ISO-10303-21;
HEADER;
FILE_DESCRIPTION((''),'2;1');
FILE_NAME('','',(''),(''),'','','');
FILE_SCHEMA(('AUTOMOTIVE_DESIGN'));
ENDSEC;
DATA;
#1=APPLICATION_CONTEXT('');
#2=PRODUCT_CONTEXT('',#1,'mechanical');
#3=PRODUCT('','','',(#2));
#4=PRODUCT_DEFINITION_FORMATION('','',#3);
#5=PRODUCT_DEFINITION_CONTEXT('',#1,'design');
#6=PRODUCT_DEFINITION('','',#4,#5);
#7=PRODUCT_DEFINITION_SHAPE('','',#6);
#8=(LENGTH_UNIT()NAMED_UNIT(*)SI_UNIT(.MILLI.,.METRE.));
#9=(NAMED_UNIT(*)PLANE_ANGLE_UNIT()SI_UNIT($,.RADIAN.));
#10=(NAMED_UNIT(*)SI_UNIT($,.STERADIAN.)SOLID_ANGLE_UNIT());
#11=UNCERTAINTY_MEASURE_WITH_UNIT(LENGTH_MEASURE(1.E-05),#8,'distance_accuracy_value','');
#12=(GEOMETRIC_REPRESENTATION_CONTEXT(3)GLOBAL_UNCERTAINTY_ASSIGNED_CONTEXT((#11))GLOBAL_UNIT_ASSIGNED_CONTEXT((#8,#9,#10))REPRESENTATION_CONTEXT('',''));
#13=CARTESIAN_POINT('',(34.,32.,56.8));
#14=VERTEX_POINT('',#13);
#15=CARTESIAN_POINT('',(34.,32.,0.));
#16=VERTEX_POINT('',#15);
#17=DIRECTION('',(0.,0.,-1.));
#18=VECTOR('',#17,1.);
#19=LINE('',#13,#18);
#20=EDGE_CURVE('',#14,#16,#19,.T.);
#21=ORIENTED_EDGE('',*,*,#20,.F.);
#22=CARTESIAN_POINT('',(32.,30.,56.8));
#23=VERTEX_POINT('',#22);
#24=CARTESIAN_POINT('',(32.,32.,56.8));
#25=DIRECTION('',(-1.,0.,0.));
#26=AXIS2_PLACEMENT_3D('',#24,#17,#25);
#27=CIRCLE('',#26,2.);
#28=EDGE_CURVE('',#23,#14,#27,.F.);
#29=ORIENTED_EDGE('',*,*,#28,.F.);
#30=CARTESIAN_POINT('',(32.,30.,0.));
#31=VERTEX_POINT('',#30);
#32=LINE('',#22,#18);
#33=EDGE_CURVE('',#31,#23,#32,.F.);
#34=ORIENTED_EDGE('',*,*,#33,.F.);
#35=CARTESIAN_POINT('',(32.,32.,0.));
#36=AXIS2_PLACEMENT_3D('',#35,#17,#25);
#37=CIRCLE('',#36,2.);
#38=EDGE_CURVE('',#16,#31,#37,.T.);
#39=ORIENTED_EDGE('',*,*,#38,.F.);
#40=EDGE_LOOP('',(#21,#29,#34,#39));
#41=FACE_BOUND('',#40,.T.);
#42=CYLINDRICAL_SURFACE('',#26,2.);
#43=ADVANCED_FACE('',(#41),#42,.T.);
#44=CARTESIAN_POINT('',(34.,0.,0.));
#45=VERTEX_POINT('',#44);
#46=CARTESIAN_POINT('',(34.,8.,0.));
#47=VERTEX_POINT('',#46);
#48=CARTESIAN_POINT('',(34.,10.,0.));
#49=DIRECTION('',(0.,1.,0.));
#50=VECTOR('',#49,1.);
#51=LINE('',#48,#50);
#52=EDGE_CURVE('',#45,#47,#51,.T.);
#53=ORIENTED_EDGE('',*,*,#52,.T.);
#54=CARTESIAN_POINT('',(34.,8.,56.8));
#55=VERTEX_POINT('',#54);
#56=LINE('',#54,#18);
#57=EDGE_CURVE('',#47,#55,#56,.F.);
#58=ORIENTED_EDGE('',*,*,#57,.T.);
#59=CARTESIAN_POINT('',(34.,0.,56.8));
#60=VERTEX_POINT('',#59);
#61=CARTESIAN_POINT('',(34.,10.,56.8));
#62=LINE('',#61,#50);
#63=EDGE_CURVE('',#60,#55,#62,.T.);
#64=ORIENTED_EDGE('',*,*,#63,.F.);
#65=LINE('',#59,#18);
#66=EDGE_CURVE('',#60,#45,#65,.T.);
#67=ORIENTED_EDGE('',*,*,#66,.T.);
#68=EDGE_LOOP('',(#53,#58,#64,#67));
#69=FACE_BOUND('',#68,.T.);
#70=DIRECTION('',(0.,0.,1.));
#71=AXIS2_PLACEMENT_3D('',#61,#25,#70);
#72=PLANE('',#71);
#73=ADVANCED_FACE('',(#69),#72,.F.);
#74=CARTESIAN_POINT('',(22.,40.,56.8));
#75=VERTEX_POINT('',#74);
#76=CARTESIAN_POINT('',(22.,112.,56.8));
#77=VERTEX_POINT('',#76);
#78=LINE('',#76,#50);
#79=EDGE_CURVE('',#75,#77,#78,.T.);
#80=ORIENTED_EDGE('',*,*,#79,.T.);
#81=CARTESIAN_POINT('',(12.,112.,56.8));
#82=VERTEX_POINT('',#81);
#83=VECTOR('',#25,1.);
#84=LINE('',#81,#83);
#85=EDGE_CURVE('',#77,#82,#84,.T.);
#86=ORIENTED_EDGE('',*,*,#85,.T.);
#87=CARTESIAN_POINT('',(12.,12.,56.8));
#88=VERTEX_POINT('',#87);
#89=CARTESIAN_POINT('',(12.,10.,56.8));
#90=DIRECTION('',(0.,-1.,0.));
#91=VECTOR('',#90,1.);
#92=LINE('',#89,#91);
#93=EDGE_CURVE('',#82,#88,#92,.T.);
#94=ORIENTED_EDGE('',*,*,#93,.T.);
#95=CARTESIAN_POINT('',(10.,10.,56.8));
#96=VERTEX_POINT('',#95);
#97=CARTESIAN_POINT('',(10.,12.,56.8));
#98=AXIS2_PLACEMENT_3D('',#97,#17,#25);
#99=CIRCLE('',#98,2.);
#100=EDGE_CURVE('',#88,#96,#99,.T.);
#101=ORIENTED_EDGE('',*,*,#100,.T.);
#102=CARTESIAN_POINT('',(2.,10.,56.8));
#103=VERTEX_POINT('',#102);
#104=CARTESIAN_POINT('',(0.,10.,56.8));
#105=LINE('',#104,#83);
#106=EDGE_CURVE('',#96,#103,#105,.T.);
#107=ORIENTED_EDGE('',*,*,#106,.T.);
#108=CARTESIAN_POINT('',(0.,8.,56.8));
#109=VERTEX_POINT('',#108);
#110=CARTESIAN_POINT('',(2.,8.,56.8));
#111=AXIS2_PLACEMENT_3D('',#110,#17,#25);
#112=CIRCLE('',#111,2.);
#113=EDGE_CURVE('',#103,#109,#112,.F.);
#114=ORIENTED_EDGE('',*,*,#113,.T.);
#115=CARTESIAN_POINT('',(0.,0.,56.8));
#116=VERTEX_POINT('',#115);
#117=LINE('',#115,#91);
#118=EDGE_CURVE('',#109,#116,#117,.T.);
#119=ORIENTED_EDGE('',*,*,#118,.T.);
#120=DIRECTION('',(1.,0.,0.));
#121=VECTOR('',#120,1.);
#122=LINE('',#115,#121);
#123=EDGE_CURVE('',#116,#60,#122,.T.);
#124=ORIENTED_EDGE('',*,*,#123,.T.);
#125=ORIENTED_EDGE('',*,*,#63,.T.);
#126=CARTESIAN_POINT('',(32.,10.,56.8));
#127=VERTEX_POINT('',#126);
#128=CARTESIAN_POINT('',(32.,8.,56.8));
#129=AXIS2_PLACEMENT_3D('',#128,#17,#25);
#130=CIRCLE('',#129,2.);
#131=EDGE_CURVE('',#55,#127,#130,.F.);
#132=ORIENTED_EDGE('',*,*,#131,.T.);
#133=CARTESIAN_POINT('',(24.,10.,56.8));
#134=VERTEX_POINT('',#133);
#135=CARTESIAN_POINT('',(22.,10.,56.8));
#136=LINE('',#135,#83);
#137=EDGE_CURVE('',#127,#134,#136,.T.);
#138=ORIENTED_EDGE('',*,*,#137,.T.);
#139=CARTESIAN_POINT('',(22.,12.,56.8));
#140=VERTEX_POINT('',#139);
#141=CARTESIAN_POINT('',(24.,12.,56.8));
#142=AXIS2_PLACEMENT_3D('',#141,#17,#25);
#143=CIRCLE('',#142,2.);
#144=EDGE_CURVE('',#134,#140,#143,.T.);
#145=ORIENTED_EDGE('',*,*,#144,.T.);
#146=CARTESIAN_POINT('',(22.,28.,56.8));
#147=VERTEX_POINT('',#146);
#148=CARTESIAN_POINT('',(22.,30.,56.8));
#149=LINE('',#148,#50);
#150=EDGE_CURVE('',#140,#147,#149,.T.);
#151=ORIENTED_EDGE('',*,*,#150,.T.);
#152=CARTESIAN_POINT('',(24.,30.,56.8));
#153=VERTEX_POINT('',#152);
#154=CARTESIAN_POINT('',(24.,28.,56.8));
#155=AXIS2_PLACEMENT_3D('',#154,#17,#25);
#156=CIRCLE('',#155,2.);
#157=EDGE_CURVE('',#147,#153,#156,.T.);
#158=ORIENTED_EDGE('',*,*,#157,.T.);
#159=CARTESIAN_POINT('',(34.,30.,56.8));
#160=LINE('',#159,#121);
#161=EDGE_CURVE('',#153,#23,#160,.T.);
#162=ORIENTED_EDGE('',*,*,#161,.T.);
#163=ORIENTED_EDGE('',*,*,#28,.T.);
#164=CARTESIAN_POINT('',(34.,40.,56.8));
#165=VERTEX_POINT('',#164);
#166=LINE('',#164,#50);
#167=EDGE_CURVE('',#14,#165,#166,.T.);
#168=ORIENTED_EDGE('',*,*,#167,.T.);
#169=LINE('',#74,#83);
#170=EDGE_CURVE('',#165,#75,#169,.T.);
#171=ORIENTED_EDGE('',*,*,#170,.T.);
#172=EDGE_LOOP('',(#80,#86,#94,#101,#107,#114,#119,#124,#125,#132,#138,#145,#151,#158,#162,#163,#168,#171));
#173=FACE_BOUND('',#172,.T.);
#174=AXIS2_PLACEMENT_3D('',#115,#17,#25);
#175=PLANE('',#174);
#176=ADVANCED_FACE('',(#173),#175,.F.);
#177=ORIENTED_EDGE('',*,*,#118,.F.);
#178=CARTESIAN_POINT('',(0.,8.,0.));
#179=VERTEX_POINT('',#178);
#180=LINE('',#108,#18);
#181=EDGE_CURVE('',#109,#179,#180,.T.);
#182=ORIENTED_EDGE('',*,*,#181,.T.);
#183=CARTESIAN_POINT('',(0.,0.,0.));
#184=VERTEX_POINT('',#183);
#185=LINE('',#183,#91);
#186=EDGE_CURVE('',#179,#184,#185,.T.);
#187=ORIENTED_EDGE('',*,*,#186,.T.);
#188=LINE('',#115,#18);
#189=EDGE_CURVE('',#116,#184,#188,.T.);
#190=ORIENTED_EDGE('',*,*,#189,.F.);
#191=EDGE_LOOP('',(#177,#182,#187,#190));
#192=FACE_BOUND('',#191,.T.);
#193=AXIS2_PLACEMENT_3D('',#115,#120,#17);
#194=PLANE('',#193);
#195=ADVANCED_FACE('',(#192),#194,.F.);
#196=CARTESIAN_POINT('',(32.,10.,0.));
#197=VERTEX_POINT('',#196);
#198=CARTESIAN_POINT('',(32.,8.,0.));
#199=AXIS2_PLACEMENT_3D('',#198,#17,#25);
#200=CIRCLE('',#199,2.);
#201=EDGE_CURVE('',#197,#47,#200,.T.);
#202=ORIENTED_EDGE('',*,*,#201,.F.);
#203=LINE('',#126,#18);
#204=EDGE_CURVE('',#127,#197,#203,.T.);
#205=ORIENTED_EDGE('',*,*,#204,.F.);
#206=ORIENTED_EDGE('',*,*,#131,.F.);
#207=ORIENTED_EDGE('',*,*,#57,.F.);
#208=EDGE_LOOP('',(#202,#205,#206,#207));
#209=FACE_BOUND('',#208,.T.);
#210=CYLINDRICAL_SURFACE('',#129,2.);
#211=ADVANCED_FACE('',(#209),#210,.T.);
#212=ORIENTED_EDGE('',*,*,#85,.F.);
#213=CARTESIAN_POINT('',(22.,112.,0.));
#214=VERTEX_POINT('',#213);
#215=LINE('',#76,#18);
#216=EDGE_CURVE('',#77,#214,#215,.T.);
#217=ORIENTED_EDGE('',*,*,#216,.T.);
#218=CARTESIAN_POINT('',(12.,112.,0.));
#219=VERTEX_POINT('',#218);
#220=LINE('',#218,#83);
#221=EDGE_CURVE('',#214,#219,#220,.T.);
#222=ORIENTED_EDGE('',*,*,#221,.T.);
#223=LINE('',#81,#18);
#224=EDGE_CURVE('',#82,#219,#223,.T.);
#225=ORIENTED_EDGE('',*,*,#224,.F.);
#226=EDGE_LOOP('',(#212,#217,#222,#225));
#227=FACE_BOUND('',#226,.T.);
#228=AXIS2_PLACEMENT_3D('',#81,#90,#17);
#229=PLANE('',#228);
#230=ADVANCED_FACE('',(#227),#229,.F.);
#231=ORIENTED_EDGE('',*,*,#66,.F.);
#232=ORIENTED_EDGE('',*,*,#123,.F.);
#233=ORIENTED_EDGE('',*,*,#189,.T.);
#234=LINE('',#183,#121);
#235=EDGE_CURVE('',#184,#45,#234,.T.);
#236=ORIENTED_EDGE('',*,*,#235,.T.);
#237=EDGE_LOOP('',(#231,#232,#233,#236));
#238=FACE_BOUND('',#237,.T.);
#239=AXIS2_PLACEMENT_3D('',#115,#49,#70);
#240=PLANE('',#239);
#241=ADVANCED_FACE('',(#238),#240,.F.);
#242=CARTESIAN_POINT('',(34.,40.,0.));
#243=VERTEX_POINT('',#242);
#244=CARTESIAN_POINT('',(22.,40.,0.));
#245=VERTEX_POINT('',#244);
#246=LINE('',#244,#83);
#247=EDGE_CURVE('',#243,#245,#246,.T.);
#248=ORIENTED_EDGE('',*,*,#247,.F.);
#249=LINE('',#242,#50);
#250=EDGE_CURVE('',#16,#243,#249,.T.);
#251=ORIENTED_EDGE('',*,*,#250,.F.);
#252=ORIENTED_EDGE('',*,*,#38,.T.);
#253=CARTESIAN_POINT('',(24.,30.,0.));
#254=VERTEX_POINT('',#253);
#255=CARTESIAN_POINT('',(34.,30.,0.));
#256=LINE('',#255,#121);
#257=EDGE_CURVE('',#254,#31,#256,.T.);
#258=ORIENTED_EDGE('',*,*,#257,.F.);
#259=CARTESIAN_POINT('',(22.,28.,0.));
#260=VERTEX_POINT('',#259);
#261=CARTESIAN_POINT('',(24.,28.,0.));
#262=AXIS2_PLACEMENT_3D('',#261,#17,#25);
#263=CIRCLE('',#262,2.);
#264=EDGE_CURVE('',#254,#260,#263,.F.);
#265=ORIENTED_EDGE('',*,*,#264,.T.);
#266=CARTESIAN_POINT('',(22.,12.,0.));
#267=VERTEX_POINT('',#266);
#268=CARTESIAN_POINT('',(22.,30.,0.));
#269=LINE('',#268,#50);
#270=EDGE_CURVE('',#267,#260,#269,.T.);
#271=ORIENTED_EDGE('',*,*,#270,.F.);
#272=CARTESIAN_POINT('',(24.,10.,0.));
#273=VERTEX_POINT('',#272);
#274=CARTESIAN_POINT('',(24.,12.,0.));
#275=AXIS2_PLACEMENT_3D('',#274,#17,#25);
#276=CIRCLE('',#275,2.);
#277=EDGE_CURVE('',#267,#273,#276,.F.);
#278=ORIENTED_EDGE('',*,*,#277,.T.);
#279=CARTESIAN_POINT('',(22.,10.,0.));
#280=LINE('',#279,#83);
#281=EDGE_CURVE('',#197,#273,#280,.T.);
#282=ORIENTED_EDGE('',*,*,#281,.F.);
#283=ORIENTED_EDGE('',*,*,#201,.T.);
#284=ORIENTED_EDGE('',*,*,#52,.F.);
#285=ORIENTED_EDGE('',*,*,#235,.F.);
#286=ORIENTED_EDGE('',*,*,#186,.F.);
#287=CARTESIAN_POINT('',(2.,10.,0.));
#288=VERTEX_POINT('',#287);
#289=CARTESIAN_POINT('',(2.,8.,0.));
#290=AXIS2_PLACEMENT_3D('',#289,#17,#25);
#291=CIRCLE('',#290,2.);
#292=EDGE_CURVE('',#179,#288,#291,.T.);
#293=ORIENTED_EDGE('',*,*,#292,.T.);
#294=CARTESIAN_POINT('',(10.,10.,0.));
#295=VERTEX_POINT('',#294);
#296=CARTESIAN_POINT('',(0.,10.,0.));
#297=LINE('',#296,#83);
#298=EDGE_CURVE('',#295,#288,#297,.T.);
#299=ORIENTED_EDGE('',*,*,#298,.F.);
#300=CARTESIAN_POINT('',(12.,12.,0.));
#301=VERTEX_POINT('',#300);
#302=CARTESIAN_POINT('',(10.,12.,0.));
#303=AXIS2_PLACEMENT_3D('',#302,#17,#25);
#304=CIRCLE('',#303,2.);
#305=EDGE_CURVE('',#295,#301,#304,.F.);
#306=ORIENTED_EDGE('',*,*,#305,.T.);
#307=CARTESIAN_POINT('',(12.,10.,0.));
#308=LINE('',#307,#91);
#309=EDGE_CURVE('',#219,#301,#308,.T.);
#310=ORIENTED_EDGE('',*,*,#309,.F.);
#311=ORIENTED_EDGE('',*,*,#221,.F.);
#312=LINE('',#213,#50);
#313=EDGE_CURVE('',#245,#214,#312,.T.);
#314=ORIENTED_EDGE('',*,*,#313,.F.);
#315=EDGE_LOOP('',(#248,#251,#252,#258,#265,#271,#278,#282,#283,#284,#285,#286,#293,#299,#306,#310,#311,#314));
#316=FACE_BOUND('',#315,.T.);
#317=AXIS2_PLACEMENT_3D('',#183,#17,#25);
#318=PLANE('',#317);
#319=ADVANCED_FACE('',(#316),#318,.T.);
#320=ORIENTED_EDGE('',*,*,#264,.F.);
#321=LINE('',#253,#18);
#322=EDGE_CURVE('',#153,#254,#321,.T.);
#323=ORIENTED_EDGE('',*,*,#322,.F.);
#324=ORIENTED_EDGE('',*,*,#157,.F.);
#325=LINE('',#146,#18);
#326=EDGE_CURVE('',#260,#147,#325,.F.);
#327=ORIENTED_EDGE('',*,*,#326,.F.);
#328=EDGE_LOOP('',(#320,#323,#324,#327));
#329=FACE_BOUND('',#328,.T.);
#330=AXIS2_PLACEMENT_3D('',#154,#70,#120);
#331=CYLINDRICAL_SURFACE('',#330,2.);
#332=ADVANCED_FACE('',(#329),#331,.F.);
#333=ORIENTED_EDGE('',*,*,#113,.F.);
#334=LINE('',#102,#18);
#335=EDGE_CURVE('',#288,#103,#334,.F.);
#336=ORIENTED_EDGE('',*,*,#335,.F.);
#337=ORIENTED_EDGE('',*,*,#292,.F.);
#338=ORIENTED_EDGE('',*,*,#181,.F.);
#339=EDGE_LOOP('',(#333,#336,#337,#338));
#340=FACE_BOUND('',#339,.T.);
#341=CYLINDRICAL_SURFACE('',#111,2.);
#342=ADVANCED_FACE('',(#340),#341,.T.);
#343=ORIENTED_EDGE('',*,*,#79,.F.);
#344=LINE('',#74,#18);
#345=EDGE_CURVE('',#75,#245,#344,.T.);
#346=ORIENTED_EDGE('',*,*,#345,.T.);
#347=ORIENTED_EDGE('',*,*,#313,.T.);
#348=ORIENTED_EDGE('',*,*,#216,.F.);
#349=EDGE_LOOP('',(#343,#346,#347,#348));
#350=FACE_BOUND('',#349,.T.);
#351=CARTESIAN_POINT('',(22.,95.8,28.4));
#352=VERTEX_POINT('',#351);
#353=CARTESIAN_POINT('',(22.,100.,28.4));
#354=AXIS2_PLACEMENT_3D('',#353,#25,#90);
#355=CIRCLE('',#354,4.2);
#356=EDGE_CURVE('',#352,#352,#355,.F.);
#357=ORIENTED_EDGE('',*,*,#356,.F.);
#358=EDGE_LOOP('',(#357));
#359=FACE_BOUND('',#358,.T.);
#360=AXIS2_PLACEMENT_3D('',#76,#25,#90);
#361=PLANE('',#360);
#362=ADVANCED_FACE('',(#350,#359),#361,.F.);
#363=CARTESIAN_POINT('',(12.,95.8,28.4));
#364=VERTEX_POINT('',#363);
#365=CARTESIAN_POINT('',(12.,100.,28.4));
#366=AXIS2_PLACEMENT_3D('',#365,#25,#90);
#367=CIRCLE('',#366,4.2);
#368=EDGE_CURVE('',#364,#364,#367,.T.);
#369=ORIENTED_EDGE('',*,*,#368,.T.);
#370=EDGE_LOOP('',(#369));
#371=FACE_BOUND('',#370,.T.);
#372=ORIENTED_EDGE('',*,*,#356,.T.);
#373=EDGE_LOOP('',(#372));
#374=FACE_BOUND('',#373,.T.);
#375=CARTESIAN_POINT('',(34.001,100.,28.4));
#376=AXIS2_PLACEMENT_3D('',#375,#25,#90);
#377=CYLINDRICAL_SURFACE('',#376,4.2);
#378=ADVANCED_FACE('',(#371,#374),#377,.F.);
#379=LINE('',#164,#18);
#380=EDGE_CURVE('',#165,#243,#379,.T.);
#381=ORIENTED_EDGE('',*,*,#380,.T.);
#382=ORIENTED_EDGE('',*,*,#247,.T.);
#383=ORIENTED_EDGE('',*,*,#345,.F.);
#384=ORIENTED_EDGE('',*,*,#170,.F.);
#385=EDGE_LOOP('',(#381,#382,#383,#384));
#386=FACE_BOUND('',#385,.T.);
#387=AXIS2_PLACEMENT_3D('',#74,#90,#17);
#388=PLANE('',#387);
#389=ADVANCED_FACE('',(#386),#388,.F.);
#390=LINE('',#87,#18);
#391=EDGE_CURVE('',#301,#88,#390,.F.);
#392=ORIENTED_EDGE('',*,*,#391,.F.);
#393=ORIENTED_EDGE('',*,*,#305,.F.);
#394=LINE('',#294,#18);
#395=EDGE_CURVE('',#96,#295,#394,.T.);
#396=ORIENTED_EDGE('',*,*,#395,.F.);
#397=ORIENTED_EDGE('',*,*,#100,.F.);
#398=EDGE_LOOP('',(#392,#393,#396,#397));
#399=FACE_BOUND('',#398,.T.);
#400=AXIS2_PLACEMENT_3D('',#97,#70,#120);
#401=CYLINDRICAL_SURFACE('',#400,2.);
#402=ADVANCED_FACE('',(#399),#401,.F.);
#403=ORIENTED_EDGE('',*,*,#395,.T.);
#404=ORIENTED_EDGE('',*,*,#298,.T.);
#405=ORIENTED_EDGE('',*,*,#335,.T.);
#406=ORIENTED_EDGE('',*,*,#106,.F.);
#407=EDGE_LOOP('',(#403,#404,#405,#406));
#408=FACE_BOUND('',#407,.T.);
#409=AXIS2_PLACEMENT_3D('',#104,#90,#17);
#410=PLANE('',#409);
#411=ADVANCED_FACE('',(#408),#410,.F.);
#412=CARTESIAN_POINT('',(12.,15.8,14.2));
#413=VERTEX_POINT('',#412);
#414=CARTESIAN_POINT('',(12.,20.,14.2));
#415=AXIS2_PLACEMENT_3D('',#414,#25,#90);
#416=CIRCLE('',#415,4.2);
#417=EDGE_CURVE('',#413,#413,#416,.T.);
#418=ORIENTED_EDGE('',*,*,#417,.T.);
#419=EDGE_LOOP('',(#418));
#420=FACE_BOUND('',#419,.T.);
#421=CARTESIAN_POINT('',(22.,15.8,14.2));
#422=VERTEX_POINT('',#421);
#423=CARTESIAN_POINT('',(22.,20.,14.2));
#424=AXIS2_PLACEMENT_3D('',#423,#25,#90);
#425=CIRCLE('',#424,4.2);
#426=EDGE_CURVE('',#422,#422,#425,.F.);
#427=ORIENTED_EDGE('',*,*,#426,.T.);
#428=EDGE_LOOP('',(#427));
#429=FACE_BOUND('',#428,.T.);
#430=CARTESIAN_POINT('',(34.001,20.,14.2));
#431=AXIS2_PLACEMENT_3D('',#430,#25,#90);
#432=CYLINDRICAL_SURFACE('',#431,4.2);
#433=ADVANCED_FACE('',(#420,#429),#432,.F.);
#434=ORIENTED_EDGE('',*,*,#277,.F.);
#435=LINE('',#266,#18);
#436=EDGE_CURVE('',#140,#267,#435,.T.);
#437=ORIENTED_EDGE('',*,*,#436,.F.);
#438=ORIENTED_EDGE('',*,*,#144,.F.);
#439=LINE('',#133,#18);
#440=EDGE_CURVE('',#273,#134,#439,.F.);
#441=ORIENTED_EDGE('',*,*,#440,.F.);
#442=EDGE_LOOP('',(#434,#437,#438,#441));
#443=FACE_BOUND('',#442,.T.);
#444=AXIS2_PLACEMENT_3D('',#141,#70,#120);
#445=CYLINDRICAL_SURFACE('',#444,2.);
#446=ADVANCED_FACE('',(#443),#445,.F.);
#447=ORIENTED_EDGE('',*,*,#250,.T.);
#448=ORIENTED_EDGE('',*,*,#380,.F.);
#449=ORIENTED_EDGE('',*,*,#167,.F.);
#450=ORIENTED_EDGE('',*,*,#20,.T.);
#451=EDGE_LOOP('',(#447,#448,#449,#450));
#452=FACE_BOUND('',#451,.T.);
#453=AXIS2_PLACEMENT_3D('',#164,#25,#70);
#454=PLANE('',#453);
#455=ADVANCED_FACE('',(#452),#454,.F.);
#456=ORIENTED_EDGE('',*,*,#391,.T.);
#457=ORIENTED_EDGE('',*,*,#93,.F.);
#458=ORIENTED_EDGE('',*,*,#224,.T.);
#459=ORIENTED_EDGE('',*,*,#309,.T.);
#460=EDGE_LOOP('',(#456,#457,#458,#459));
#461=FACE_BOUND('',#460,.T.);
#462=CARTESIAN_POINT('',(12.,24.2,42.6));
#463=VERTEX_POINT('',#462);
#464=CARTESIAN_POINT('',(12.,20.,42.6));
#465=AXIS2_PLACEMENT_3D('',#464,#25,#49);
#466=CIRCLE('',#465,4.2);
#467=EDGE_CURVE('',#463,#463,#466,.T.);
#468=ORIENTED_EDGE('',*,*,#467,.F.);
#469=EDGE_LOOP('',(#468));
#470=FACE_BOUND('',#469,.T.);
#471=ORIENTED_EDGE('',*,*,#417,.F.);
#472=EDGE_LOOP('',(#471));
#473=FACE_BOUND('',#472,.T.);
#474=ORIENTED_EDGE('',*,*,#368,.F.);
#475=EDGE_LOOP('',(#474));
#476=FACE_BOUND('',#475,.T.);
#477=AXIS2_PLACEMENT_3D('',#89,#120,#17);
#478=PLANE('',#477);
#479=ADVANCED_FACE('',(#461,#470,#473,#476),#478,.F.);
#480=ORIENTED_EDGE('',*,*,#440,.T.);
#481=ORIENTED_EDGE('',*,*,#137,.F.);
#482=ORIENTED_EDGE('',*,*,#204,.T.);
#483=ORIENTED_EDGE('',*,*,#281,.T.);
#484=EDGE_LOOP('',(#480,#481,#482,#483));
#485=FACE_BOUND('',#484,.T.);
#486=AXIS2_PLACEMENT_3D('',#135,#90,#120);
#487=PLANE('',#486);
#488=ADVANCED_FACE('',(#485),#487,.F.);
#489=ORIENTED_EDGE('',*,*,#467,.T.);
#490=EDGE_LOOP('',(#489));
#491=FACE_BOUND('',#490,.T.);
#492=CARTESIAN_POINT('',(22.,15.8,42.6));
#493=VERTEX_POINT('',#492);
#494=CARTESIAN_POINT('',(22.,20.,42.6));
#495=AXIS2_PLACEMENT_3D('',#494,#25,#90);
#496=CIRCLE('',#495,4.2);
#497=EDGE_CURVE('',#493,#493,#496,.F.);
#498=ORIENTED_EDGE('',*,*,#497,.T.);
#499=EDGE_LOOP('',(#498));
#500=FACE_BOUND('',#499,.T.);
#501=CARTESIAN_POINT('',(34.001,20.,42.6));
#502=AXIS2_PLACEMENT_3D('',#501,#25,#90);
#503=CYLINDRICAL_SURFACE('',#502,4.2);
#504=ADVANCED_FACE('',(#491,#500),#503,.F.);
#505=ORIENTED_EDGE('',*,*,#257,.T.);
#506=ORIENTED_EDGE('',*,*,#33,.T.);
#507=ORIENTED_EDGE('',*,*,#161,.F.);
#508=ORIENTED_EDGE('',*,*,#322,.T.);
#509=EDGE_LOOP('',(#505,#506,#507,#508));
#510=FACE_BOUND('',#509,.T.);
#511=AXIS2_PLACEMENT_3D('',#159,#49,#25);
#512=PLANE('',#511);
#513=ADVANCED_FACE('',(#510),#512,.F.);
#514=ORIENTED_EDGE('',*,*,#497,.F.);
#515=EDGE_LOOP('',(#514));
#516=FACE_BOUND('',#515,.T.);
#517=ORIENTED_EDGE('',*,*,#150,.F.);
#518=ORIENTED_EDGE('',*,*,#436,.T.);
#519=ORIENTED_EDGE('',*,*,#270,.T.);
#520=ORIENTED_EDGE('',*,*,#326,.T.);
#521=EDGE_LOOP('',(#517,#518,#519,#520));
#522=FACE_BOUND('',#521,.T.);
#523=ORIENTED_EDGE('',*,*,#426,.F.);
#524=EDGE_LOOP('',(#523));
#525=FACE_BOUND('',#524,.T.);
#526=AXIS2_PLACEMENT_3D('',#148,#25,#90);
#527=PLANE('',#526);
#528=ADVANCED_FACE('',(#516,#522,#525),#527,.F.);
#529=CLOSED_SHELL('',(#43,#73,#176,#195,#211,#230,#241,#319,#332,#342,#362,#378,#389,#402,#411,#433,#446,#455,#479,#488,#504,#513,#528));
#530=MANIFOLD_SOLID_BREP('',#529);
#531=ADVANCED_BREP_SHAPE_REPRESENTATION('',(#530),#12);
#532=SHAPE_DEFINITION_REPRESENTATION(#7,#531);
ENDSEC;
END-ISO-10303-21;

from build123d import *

# Parameters (mm, degrees)
BOSS_EXTRUDE1_DEPTH = 56.8
CUT_EXTRUDE1_REACH  = 129.492
SKETCH2_R           = 4.2
CUT_EXTRUDE3_REACH  = 129.492
SKETCH4_R           = 4.2
FILLET1_R           = 2


with BuildPart() as part:
    # Sketch1 → Boss-Extrude1 (new body)
    with BuildSketch(Plane.XY):
        Polygon((0, 0), (0, 10), (12, 10), (12, 112), (22, 112), (22, 40), (34, 40), (34, 30), (22, 30), (22, 10), (34, 10), (34, 0), align=None)
    extrude(amount=BOSS_EXTRUDE1_DEPTH)

    # Sketch2 → Cut-Extrude1 (cut, up to next)
    with BuildSketch(Plane.ZY.offset(-12), mode=Mode.PRIVATE) as cut_extrude1_sk1:
        with Locations(Location((14.2, 20, 0), (0, 0, 270))):
            Circle(SKETCH2_R)
    cut_extrude1_tool1 = extrude(cut_extrude1_sk1.sketch, amount=-CUT_EXTRUDE1_REACH, mode=Mode.PRIVATE) & part.part
    # Sketch2 → Cut-Extrude1 (cut, up to next)
    with BuildSketch(Plane.ZY.offset(-12), mode=Mode.PRIVATE) as cut_extrude1_sk2:
        with Locations(Location((42.6, 20, 0), (0, 0, 270))):
            Circle(SKETCH2_R)
    cut_extrude1_tool2 = extrude(cut_extrude1_sk2.sketch, amount=-CUT_EXTRUDE1_REACH, mode=Mode.PRIVATE) & part.part
    add(cut_extrude1_tool1.solids().sort_by_distance((12, 20, 14.2))[0], mode=Mode.SUBTRACT)
    add(cut_extrude1_tool2.solids().sort_by_distance((12, 20, 42.6))[0], mode=Mode.SUBTRACT)

    # Sketch4 → Cut-Extrude3 (cut, up to next)
    with BuildSketch(Plane.ZY.offset(-12), mode=Mode.PRIVATE) as cut_extrude3_sk1:
        with Locations(Location((28.4, 100, 0), (0, 0, 270))):
            Circle(SKETCH4_R)
    cut_extrude3_tool1 = extrude(cut_extrude3_sk1.sketch, amount=-CUT_EXTRUDE3_REACH, mode=Mode.PRIVATE) & part.part
    add(cut_extrude3_tool1.solids().sort_by_distance((12, 100, 28.4))[0], mode=Mode.SUBTRACT)

    # Fillet1
    fillet1_edges = [part.edges().sort_by_distance(p)[0] for p in [
        (0, 10, 28.4),
        (12, 10, 28.4),
        (34, 30, 28.4),
        (22, 30, 28.4),
        (22, 10, 28.4),
        (34, 10, 28.4),
    ]]
    fillet(fillet1_edges, radius=FILLET1_R)


solid = part.part
